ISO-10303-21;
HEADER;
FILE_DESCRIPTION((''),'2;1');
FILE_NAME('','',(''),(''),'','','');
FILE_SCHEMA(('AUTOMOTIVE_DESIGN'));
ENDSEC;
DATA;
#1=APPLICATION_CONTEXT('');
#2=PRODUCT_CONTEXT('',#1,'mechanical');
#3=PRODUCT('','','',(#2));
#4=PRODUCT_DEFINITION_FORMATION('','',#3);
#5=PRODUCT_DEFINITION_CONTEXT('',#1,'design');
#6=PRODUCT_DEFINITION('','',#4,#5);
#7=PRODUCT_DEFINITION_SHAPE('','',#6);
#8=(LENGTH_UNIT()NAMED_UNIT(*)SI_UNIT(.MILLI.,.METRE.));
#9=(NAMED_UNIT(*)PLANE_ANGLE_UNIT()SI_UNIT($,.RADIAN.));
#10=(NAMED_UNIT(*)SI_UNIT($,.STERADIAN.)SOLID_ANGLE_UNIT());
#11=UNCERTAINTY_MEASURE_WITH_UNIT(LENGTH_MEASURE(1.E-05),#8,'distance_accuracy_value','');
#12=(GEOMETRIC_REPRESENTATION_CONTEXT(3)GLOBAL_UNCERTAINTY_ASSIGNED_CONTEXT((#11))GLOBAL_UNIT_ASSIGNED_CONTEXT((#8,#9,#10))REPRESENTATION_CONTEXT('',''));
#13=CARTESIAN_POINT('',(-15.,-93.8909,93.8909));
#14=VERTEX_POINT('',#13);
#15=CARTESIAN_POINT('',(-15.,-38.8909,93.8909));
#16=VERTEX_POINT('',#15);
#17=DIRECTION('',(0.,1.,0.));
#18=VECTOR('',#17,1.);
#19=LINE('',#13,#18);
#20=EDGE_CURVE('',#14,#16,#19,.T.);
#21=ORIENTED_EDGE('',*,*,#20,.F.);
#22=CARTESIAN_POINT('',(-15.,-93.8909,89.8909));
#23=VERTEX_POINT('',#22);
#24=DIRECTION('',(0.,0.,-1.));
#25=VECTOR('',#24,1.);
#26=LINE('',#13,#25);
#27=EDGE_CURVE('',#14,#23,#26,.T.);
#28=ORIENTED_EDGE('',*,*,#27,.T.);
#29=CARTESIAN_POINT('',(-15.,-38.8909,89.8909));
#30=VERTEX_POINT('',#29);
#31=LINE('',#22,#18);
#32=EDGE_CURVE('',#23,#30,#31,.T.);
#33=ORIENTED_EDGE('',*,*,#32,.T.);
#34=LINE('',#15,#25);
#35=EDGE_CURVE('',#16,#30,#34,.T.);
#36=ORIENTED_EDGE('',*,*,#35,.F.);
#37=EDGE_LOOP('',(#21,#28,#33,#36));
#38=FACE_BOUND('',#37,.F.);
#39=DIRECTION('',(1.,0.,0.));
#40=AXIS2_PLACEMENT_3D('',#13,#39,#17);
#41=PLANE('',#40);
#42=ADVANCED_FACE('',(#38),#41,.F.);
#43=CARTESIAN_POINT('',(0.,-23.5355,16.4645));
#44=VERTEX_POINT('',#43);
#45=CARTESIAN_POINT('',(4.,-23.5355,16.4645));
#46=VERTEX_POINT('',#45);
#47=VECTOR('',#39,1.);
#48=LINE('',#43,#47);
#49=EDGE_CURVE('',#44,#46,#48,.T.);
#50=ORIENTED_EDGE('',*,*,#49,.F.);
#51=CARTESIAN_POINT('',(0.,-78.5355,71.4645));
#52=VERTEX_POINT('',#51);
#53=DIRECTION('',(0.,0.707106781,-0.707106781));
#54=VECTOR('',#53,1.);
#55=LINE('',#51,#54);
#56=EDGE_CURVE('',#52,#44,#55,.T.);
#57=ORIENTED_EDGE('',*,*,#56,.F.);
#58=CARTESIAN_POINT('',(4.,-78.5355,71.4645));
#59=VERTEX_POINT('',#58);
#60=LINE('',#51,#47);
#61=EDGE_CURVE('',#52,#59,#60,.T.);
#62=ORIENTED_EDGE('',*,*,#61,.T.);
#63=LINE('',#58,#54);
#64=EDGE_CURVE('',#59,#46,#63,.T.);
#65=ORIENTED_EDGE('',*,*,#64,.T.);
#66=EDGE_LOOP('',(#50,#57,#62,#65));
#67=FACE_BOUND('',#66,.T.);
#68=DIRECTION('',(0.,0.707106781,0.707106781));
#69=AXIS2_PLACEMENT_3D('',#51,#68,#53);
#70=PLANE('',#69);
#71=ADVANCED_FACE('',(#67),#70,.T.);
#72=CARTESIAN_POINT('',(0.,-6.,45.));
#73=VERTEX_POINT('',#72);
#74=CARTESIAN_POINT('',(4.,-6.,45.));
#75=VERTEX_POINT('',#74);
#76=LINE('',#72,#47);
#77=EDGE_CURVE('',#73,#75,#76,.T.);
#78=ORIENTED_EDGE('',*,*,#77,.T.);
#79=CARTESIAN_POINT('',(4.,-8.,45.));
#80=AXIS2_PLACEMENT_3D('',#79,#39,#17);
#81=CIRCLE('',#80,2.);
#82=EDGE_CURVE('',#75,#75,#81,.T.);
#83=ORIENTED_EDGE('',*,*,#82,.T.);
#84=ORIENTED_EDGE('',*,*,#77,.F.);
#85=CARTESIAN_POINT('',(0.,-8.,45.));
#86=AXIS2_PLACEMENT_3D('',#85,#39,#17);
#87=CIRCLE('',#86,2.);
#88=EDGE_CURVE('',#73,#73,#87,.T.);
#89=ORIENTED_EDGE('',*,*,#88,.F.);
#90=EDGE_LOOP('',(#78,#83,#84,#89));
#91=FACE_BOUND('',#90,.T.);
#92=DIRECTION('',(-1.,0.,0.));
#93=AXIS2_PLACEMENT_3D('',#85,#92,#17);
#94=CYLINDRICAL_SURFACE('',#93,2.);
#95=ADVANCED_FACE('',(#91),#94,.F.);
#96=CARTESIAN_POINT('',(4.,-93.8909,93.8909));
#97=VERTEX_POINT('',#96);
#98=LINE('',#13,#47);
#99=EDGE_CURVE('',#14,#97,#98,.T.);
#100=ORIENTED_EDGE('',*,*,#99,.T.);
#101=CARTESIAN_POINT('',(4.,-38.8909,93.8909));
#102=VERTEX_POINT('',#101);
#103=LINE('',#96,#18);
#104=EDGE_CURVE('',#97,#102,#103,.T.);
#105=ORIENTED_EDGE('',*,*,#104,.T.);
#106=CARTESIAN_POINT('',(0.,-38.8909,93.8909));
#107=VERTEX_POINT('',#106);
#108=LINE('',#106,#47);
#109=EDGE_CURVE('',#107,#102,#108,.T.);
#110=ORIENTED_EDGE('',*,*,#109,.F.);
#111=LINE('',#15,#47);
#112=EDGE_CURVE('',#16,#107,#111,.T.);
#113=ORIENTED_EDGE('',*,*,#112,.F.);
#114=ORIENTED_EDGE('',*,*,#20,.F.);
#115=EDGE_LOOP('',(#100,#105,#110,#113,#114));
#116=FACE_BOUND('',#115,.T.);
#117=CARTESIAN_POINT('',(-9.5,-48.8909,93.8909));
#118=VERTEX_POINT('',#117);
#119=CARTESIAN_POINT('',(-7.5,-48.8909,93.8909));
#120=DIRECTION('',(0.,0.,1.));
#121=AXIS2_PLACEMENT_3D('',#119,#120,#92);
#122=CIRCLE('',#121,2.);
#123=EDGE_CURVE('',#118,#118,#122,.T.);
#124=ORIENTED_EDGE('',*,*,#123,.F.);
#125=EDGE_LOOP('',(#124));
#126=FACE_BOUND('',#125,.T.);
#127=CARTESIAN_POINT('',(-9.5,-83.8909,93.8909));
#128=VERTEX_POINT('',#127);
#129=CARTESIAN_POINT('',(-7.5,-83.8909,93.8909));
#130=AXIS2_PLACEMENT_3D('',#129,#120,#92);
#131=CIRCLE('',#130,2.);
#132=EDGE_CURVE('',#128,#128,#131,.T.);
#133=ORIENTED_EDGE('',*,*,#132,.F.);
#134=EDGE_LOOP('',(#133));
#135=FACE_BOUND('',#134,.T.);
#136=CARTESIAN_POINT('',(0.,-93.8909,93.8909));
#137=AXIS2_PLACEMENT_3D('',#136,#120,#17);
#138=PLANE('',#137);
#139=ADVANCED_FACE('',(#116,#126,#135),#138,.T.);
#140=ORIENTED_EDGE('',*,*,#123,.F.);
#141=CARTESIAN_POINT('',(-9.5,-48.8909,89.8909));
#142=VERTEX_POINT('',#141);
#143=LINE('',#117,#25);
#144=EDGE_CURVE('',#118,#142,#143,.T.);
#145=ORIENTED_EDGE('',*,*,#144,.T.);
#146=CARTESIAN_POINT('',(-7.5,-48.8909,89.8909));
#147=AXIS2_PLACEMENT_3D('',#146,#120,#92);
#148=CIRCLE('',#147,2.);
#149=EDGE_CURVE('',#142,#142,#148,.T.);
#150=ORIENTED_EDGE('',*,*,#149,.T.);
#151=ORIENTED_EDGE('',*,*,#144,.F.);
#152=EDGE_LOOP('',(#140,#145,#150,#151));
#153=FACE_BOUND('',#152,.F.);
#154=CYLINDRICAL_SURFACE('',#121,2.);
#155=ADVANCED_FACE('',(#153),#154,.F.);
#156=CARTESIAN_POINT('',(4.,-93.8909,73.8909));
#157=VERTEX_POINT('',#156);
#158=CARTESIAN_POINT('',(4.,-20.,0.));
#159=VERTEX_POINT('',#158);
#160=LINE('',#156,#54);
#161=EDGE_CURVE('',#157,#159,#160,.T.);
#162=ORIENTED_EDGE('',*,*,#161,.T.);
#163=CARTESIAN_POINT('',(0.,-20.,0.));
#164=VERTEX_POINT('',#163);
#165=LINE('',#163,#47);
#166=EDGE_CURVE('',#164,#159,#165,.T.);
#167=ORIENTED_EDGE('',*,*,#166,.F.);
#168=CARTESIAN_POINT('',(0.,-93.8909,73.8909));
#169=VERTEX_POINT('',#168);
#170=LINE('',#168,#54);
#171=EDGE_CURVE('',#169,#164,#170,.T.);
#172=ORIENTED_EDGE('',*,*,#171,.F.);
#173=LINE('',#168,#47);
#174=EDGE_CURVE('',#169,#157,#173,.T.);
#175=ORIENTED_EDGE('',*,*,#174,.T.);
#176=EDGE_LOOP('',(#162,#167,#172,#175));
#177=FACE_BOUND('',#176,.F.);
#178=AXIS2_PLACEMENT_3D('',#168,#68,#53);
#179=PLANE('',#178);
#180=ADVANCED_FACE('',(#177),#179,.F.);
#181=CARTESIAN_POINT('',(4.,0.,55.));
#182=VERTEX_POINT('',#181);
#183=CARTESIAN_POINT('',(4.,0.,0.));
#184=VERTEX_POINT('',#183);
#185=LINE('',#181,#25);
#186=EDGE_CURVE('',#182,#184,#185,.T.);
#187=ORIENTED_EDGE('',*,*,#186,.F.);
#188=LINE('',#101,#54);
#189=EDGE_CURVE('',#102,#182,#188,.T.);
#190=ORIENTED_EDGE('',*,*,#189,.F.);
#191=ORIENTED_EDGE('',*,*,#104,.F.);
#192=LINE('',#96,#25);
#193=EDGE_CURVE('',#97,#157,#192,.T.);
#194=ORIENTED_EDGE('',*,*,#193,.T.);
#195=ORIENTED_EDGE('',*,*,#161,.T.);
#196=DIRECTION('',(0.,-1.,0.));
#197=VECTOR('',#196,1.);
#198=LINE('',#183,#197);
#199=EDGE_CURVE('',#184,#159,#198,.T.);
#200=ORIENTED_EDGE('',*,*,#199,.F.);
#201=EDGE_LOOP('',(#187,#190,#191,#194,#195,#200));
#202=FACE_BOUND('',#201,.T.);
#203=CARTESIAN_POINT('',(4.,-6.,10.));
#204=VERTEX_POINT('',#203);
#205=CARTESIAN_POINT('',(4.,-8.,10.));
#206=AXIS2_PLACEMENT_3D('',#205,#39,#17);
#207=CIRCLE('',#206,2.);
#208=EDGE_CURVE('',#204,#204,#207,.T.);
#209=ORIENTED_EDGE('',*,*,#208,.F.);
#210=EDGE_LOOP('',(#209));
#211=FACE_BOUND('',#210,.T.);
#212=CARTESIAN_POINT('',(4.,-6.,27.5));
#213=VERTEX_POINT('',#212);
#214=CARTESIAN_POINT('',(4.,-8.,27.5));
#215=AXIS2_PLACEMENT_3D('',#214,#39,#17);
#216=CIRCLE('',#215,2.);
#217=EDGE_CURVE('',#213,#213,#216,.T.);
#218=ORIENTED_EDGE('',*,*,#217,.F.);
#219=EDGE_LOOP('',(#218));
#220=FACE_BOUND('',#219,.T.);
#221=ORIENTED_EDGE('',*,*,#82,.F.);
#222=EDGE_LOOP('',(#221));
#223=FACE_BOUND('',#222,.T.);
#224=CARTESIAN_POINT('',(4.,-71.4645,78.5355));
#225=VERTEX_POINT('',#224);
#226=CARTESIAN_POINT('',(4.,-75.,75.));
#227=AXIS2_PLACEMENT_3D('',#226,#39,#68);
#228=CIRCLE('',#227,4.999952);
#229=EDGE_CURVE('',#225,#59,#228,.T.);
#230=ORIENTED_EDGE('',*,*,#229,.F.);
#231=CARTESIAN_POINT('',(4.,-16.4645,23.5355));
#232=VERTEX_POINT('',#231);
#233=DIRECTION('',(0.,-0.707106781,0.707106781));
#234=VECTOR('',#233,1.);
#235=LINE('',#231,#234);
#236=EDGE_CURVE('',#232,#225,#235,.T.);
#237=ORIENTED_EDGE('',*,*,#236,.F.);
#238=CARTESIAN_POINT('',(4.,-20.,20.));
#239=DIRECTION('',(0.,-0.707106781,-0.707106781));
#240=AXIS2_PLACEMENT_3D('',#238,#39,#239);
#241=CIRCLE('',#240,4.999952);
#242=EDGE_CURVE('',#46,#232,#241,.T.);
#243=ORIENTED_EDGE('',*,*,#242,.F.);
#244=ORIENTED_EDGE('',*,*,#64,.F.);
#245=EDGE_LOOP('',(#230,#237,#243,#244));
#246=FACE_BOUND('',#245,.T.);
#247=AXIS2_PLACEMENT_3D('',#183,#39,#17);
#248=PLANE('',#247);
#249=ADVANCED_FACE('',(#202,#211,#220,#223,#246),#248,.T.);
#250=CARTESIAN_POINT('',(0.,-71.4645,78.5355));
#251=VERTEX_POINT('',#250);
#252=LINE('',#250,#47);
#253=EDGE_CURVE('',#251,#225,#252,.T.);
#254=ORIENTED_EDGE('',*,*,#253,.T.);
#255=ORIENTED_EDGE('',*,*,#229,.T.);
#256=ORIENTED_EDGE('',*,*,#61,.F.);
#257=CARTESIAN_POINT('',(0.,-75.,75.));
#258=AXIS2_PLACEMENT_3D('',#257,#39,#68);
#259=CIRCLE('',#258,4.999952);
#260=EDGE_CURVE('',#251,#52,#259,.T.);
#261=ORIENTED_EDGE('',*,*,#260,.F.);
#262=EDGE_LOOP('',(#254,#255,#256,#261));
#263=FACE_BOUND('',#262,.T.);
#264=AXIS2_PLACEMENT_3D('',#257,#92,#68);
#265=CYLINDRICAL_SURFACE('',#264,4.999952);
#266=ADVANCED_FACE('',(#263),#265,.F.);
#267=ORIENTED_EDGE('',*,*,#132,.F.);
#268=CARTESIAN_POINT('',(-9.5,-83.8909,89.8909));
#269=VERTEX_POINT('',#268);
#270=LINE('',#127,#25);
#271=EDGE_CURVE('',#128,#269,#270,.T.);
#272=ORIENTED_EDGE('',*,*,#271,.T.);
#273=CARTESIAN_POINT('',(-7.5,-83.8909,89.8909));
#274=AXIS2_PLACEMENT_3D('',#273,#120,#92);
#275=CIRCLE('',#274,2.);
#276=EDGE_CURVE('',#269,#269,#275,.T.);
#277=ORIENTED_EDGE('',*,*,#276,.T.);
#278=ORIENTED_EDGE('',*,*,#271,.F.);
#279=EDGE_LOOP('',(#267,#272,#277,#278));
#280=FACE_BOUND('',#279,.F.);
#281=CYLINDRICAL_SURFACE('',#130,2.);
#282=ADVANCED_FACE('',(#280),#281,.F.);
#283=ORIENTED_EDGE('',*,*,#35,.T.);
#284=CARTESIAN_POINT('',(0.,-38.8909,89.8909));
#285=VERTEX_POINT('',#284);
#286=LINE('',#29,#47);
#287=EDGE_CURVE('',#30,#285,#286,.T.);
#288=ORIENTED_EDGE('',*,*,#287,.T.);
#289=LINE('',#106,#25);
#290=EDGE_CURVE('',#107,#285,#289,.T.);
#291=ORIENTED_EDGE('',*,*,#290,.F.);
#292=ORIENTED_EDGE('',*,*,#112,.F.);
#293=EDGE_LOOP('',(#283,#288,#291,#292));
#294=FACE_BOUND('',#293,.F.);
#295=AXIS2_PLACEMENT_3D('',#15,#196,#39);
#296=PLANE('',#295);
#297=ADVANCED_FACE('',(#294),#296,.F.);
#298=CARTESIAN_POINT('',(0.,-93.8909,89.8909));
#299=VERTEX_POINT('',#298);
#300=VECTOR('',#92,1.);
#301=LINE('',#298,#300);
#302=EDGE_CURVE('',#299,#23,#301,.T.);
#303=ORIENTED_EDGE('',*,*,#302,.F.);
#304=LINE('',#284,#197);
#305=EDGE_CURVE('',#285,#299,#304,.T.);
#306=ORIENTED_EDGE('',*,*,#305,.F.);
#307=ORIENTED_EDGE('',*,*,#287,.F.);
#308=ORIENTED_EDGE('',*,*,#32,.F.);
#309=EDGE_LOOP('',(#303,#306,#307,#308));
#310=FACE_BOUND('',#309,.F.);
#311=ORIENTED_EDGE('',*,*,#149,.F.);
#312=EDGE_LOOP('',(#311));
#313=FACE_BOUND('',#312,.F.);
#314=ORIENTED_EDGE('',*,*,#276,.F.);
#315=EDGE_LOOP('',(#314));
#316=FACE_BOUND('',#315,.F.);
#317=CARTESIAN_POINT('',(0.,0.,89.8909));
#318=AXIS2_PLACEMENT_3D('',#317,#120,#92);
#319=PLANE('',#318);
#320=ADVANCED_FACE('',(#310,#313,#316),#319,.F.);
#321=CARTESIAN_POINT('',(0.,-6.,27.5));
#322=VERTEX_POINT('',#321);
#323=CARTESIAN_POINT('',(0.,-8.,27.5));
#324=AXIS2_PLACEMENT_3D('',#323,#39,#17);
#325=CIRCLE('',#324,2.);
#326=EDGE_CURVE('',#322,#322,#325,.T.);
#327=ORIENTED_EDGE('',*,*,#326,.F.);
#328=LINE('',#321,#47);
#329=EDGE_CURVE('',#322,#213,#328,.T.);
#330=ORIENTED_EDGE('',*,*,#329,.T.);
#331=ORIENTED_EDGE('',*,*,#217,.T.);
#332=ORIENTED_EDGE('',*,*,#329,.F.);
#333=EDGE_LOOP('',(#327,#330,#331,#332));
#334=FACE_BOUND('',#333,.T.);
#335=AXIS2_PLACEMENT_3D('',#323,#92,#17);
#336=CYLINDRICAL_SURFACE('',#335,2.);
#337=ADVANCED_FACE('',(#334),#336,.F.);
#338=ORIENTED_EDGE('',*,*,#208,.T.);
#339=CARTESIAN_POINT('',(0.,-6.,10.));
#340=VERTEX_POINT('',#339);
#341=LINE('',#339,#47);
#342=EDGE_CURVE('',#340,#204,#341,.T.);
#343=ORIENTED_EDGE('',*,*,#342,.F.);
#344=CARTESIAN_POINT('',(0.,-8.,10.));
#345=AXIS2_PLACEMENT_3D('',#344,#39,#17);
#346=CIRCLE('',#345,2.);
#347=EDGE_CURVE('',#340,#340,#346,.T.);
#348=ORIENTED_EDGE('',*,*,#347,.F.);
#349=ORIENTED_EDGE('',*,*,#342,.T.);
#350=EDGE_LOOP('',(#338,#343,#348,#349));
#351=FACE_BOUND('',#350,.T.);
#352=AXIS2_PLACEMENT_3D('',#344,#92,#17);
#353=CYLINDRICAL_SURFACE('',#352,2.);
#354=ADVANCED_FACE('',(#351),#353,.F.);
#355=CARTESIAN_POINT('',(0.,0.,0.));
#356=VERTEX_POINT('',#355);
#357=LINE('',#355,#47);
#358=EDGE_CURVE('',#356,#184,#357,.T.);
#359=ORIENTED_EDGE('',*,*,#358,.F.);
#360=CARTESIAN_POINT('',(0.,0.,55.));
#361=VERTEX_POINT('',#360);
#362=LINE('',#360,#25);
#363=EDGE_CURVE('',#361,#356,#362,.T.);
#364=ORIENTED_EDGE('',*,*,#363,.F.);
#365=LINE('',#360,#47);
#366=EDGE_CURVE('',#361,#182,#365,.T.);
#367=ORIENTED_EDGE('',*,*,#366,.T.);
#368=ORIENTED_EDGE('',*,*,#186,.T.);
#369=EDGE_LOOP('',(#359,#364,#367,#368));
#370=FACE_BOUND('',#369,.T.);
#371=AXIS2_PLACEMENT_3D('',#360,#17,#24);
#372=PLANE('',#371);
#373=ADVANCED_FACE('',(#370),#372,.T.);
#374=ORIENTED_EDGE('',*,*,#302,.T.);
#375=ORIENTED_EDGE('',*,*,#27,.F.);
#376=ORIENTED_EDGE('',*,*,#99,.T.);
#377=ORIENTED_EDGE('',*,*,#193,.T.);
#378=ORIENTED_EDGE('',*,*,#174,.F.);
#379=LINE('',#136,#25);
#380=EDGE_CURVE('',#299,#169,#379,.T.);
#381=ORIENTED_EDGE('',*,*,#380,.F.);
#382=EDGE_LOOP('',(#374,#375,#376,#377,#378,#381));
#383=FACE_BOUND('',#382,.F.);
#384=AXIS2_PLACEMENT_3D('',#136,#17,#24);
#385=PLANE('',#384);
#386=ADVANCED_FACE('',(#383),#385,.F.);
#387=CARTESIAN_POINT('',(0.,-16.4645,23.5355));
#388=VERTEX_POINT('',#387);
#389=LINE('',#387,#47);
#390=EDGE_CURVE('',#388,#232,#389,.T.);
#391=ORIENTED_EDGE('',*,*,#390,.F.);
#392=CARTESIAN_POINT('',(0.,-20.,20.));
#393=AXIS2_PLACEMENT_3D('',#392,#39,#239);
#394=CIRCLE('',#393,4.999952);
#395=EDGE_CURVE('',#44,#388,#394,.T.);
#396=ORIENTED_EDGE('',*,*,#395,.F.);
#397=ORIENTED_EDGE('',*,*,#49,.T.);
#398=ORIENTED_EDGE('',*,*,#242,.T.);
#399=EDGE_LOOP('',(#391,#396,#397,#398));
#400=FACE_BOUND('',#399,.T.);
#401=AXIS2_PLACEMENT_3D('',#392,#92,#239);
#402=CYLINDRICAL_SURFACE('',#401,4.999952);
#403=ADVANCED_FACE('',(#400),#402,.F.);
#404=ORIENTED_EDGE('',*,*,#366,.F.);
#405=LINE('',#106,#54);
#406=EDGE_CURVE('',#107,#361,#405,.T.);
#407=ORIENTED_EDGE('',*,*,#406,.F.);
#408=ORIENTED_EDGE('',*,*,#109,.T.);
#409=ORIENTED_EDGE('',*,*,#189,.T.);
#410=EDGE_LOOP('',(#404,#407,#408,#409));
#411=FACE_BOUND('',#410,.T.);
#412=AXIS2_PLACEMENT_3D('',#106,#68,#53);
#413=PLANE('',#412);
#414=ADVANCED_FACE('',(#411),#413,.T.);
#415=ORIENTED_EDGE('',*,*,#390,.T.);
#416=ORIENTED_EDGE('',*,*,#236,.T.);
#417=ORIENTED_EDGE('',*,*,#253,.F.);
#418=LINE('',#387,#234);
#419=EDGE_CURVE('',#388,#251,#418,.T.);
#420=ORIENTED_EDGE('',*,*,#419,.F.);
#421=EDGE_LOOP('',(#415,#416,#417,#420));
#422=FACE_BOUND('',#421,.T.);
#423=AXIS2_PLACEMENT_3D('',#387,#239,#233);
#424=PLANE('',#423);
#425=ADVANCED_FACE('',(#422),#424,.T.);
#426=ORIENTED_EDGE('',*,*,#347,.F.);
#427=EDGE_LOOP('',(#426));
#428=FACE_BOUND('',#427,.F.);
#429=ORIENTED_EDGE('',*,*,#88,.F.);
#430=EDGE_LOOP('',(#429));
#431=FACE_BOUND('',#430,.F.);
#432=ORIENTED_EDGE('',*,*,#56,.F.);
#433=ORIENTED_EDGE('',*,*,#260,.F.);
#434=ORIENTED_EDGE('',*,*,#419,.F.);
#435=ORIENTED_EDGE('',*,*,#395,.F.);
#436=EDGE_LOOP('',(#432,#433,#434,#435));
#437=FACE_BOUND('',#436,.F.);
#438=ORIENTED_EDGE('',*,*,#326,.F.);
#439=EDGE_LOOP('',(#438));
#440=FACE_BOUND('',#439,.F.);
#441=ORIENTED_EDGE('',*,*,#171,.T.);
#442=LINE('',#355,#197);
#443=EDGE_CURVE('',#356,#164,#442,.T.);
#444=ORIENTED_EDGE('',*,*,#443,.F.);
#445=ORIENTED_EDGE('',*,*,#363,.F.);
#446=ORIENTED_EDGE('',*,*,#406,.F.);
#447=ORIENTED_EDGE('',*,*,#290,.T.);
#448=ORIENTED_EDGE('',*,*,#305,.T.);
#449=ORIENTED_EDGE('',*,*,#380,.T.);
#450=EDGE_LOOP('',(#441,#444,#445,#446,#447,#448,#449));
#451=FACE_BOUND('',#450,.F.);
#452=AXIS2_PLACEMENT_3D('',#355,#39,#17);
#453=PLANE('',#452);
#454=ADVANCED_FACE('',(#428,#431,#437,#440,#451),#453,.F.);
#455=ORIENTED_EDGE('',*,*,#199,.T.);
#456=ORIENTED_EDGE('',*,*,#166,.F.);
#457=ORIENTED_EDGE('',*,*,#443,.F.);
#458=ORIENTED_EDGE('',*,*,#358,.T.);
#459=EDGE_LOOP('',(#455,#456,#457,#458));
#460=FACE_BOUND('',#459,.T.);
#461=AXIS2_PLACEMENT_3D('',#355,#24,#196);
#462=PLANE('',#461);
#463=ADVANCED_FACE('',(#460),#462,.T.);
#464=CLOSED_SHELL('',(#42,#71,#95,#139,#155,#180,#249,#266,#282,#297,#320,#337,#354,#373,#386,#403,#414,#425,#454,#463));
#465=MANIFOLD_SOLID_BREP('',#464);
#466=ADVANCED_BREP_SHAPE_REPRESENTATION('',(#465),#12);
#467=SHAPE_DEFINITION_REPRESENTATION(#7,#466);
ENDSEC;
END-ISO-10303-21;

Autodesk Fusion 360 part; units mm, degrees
sketch "Sketch4" plane through (0, 0, 0) normal (1, 0, 0) x (0, 1, 0)
  line L0 (-93.8909, 93.8909) -> (-38.8909, 93.8909)
  line L1 (-38.8909, 93.8909) -> (0, 55)
  line L2 (0, 55) -> (0, 0)
  line L3 (0, 0) -> (-20, 0)
  line L4 (-93.8909, 93.8909) -> (-93.8909, 73.8909)
  line L5 (-93.8909, 73.8909) -> (-20, 0)
  line L6 (-16.4645, 23.5355) -> (-71.4645, 78.5355)
  arc A0 (-71.4645, 78.5355) -> (-78.5355, 71.4645) centre (-75, 75) ccw
  line L7 (-78.5355, 71.4645) -> (-23.5355, 16.4645)
  arc A1 (-23.5355, 16.4645) -> (-16.4645, 23.5355) centre (-20, 20) ccw
  line L8 (-20, 20) -> (-75, 75) construction
  circle A2 centre (-8, 10) radius 2
  circle A3 centre (-8, 45) radius 2
  line L9 (-8, 45) -> (-8, 10) construction
  line L10 (0, 27.5) -> (-8, 27.5) construction
  circle A4 centre (-8, 27.5) radius 2
  dimension "d15" = 55
  dimension "d16" = 135
  dimension "d17" = 55
  dimension "d18" = 55
  dimension "d19" = 20
  dimension "d20" = 20
  dimension "d21" = 10
  dimension "d22" = 4
  dimension "d23" = 4
  dimension "d24" = 8
  dimension "d25" = 35
  dimension "d35" = 4
extrude "Extrude1" add sketch "Sketch4" along normal blind 4
sketch "Sketch5" plane through (0, 0, 93.8909) normal (0, 0, 1) x (-1, 0, 0)
  line L0 (0, 38.8909) -> (0, 93.8909)
  line L1 (0, 93.8909) -> (-4, 93.8909)
  line L2 (-4, 93.8909) -> (-4, 38.8909)
  line L3 (-4, 38.8909) -> (0, 38.8909)
  line L4 (0, 93.8909) -> (15, 93.8909)
  line L5 (15, 93.8909) -> (15, 38.8909)
  line L6 (15, 38.8909) -> (0, 38.8909)
  line L7 (0, 38.8909) -> (0, 93.8909)
  circle A0 centre (7.5, 83.8909) radius 2
  circle A1 centre (7.5, 48.8909) radius 2
  line L8 (7.5, 83.8909) -> (7.5, 48.8909) construction
  line L9 (7.5, 66.3909) -> (0, 66.3909) construction
  line L10 (7.5, 48.8909) -> (7.5, 38.8909) construction
  dimension "d28" = 55
  dimension "d29" = 15
  dimension "d30" = 4
  dimension "d31" = 4
  dimension "d32" = 35
extrude "Extrude2" add sketch "Sketch5" against normal blind 4 contours L0 L4 L5 L6 L7
